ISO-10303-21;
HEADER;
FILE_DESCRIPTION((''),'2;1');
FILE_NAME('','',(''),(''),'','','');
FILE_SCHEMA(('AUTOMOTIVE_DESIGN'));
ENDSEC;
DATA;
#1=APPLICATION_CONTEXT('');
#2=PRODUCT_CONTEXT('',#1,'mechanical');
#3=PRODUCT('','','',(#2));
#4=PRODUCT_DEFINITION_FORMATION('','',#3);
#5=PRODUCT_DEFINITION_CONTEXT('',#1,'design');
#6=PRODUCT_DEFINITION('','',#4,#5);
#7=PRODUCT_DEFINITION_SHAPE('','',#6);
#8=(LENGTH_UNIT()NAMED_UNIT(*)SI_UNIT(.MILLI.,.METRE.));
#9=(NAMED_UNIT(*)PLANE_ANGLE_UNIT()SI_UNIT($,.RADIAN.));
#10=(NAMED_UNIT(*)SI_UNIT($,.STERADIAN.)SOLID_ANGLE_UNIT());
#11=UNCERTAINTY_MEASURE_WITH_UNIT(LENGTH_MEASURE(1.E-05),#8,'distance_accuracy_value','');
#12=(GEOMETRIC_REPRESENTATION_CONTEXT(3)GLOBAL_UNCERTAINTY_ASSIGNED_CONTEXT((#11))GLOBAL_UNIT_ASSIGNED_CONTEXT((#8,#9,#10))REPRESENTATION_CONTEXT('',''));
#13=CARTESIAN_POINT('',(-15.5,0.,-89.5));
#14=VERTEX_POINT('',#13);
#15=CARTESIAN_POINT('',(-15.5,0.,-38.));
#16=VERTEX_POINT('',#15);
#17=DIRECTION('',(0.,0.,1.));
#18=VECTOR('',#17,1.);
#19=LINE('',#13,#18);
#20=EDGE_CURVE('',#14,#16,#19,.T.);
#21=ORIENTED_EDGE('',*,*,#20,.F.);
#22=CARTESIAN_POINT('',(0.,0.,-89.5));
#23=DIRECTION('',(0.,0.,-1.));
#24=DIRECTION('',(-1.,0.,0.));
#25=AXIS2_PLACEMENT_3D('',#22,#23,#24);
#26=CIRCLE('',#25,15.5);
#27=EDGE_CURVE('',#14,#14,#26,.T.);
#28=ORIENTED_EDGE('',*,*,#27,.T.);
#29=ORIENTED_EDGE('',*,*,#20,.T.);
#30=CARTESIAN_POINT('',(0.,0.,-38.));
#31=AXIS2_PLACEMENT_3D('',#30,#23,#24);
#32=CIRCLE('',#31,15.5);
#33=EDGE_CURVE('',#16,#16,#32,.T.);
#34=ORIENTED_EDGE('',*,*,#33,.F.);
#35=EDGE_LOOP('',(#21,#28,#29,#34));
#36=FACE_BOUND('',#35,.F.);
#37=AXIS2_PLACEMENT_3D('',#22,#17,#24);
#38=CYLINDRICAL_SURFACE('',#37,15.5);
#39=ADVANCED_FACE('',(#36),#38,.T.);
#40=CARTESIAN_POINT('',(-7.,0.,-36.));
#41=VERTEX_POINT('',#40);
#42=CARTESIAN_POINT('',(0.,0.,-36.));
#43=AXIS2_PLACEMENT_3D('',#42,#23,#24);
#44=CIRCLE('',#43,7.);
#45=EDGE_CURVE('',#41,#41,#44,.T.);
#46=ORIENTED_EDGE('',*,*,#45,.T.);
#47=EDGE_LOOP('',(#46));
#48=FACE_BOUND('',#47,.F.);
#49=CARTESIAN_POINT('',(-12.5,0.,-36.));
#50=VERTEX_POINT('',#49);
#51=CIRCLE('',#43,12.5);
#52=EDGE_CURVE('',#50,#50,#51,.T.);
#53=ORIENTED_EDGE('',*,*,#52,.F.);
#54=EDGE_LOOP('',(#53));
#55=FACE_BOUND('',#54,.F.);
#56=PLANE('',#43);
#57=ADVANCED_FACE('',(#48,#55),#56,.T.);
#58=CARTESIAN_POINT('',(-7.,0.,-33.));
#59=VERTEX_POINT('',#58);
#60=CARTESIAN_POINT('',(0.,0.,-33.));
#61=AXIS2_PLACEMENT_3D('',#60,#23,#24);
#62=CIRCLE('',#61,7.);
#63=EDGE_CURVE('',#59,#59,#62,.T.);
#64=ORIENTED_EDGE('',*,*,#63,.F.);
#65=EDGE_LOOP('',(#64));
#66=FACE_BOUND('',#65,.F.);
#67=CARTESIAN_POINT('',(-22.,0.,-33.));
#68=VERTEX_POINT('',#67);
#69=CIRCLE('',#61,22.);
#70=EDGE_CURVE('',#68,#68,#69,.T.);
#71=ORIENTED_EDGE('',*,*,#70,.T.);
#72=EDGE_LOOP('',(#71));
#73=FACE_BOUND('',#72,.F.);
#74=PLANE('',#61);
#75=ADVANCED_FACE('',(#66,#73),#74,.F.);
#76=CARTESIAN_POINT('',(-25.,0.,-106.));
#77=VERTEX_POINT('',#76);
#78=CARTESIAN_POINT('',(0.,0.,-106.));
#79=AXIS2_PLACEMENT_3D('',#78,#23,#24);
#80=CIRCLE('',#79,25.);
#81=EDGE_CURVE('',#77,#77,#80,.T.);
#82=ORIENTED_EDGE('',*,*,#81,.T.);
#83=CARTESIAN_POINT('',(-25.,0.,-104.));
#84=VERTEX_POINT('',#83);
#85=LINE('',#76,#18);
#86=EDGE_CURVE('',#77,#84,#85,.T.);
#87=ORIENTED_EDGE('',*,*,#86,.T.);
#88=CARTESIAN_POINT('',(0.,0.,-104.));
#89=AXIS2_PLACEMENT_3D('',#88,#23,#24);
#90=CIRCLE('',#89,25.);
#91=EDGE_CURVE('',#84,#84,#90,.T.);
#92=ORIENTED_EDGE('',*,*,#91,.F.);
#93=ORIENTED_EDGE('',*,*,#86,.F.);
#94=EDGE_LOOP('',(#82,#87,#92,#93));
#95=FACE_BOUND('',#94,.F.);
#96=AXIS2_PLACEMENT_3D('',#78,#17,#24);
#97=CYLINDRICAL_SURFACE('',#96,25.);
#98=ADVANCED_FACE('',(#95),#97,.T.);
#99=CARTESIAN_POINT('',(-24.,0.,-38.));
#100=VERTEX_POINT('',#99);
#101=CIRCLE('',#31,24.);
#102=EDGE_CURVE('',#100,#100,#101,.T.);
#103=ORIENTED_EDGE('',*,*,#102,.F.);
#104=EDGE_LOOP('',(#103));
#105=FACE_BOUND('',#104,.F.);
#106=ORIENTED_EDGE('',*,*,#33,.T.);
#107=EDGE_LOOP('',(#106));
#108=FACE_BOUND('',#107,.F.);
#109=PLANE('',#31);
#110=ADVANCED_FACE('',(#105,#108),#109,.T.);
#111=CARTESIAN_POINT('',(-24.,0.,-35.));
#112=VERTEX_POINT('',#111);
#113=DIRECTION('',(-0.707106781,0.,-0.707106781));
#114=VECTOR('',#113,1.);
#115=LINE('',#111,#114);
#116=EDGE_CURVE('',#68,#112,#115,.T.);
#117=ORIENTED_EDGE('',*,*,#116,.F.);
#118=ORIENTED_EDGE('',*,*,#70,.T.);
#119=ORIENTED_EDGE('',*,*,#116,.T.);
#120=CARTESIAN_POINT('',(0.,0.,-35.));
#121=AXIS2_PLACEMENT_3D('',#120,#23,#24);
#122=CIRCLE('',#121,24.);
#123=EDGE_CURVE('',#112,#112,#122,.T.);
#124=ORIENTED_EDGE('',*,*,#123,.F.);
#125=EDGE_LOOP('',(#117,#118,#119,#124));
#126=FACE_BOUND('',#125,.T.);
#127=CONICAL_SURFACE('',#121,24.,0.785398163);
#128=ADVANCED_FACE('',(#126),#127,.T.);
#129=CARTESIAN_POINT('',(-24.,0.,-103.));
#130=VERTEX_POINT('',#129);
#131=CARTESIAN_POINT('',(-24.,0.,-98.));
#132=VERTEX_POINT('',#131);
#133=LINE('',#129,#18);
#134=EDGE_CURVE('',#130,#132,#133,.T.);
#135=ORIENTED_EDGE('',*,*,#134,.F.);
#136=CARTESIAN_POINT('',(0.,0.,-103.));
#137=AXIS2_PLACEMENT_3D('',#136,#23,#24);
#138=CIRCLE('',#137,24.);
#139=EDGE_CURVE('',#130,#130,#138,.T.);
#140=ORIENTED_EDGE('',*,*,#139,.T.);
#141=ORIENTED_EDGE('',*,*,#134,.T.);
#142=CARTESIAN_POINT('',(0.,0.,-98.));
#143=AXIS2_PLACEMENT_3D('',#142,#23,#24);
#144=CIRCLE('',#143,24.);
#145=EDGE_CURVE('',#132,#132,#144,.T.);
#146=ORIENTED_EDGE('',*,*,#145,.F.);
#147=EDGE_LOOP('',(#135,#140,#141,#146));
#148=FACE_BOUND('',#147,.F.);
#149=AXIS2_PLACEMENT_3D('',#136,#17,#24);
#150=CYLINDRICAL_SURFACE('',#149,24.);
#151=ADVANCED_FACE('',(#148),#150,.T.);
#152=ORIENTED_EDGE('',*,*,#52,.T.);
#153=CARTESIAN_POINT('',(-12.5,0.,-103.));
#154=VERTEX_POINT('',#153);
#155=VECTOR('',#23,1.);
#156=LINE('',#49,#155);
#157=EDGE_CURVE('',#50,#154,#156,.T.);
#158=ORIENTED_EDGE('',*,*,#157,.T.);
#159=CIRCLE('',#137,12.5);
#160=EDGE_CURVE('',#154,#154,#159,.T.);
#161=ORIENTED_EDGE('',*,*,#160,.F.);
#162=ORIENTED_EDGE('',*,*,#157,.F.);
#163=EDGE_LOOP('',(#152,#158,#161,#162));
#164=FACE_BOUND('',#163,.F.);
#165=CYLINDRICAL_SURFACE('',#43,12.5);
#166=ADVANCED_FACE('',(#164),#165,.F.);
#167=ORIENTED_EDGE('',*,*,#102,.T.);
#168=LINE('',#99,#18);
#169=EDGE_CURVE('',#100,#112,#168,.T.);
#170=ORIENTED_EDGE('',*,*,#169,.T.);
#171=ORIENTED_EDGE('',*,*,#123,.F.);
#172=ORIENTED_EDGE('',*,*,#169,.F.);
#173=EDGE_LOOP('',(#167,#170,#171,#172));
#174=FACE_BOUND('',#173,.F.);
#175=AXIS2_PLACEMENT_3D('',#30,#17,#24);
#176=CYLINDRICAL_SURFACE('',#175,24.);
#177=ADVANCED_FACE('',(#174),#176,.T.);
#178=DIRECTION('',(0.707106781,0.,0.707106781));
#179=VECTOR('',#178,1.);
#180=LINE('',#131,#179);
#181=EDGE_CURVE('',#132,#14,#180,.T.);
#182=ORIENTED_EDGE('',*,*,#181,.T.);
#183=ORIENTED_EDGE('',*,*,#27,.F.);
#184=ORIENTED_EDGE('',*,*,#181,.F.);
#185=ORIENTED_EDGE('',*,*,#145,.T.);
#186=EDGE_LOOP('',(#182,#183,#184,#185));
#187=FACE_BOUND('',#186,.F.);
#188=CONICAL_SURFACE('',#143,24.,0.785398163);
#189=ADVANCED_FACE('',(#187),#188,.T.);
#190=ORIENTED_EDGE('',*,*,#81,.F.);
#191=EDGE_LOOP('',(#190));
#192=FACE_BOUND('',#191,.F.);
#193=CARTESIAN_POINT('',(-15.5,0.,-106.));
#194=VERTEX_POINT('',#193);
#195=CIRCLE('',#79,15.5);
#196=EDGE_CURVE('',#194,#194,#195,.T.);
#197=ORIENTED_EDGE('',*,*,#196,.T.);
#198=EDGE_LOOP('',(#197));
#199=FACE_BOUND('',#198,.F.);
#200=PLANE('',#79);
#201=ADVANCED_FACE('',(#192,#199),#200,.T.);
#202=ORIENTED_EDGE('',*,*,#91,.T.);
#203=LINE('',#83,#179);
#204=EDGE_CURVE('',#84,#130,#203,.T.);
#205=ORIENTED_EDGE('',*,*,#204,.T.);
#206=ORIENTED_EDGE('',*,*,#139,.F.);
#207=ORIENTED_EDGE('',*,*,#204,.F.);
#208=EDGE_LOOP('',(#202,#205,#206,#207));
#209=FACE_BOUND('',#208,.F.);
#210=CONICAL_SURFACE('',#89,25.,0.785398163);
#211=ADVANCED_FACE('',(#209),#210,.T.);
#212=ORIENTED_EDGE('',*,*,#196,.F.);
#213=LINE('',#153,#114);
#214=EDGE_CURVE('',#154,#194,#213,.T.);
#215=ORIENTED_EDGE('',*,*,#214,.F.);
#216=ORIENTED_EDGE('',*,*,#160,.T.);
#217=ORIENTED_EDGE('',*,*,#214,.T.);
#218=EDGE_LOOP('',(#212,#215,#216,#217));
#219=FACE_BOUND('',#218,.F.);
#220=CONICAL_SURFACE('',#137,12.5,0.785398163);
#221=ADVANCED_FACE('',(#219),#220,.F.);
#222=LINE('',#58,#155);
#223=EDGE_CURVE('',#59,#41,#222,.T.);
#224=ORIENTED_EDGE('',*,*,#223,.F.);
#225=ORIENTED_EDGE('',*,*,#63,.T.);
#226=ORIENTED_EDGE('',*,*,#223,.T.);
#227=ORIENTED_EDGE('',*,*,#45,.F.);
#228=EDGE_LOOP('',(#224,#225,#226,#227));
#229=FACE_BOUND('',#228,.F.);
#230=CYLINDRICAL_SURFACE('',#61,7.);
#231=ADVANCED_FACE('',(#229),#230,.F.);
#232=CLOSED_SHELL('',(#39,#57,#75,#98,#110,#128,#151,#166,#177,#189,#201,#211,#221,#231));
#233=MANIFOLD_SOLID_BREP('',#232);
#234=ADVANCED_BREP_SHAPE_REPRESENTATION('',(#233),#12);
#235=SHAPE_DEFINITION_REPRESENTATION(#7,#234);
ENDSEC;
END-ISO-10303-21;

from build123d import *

# Parameters (mm, degrees)
CHAMFER_SIZE         = 3
CHAMFER001_SIZE      = 2
BODY_PLACEMENT_ANGLE = 180


with BuildPart() as part:
    # Sketch → Revolution (revolve)
    with BuildSketch(Plane.XZ):
        Polygon((24, 0), (7, 0), (7, 3), (12.5, 3), (12.5, 73), (25, 73), (25, 71), (24, 70), (24, 65), (15.5, 56.5), (15.5, 5), (24, 5), align=None)
    revolve(axis=Axis((0, 0, 0), (0, 0, 1)))

    # Chamfer
    chamfer_edges = [part.edges().sort_by_distance(p)[0] for p in [
        (-12.5, 0, 73),
    ]]
    chamfer(chamfer_edges, length=CHAMFER_SIZE)

    # Chamfer001
    chamfer001_edges = [part.edges().sort_by_distance(p)[0] for p in [
        (-24, 0, 0),
    ]]
    chamfer(chamfer001_edges, length=CHAMFER001_SIZE)


with BuildPart() as part_1:
    # Body placement: moved
    add(part.part.moved(Location((0, 0, -33))).rotate(Axis((0, 0, -33), (0, 1, 0)), BODY_PLACEMENT_ANGLE))


solid = part_1.part
